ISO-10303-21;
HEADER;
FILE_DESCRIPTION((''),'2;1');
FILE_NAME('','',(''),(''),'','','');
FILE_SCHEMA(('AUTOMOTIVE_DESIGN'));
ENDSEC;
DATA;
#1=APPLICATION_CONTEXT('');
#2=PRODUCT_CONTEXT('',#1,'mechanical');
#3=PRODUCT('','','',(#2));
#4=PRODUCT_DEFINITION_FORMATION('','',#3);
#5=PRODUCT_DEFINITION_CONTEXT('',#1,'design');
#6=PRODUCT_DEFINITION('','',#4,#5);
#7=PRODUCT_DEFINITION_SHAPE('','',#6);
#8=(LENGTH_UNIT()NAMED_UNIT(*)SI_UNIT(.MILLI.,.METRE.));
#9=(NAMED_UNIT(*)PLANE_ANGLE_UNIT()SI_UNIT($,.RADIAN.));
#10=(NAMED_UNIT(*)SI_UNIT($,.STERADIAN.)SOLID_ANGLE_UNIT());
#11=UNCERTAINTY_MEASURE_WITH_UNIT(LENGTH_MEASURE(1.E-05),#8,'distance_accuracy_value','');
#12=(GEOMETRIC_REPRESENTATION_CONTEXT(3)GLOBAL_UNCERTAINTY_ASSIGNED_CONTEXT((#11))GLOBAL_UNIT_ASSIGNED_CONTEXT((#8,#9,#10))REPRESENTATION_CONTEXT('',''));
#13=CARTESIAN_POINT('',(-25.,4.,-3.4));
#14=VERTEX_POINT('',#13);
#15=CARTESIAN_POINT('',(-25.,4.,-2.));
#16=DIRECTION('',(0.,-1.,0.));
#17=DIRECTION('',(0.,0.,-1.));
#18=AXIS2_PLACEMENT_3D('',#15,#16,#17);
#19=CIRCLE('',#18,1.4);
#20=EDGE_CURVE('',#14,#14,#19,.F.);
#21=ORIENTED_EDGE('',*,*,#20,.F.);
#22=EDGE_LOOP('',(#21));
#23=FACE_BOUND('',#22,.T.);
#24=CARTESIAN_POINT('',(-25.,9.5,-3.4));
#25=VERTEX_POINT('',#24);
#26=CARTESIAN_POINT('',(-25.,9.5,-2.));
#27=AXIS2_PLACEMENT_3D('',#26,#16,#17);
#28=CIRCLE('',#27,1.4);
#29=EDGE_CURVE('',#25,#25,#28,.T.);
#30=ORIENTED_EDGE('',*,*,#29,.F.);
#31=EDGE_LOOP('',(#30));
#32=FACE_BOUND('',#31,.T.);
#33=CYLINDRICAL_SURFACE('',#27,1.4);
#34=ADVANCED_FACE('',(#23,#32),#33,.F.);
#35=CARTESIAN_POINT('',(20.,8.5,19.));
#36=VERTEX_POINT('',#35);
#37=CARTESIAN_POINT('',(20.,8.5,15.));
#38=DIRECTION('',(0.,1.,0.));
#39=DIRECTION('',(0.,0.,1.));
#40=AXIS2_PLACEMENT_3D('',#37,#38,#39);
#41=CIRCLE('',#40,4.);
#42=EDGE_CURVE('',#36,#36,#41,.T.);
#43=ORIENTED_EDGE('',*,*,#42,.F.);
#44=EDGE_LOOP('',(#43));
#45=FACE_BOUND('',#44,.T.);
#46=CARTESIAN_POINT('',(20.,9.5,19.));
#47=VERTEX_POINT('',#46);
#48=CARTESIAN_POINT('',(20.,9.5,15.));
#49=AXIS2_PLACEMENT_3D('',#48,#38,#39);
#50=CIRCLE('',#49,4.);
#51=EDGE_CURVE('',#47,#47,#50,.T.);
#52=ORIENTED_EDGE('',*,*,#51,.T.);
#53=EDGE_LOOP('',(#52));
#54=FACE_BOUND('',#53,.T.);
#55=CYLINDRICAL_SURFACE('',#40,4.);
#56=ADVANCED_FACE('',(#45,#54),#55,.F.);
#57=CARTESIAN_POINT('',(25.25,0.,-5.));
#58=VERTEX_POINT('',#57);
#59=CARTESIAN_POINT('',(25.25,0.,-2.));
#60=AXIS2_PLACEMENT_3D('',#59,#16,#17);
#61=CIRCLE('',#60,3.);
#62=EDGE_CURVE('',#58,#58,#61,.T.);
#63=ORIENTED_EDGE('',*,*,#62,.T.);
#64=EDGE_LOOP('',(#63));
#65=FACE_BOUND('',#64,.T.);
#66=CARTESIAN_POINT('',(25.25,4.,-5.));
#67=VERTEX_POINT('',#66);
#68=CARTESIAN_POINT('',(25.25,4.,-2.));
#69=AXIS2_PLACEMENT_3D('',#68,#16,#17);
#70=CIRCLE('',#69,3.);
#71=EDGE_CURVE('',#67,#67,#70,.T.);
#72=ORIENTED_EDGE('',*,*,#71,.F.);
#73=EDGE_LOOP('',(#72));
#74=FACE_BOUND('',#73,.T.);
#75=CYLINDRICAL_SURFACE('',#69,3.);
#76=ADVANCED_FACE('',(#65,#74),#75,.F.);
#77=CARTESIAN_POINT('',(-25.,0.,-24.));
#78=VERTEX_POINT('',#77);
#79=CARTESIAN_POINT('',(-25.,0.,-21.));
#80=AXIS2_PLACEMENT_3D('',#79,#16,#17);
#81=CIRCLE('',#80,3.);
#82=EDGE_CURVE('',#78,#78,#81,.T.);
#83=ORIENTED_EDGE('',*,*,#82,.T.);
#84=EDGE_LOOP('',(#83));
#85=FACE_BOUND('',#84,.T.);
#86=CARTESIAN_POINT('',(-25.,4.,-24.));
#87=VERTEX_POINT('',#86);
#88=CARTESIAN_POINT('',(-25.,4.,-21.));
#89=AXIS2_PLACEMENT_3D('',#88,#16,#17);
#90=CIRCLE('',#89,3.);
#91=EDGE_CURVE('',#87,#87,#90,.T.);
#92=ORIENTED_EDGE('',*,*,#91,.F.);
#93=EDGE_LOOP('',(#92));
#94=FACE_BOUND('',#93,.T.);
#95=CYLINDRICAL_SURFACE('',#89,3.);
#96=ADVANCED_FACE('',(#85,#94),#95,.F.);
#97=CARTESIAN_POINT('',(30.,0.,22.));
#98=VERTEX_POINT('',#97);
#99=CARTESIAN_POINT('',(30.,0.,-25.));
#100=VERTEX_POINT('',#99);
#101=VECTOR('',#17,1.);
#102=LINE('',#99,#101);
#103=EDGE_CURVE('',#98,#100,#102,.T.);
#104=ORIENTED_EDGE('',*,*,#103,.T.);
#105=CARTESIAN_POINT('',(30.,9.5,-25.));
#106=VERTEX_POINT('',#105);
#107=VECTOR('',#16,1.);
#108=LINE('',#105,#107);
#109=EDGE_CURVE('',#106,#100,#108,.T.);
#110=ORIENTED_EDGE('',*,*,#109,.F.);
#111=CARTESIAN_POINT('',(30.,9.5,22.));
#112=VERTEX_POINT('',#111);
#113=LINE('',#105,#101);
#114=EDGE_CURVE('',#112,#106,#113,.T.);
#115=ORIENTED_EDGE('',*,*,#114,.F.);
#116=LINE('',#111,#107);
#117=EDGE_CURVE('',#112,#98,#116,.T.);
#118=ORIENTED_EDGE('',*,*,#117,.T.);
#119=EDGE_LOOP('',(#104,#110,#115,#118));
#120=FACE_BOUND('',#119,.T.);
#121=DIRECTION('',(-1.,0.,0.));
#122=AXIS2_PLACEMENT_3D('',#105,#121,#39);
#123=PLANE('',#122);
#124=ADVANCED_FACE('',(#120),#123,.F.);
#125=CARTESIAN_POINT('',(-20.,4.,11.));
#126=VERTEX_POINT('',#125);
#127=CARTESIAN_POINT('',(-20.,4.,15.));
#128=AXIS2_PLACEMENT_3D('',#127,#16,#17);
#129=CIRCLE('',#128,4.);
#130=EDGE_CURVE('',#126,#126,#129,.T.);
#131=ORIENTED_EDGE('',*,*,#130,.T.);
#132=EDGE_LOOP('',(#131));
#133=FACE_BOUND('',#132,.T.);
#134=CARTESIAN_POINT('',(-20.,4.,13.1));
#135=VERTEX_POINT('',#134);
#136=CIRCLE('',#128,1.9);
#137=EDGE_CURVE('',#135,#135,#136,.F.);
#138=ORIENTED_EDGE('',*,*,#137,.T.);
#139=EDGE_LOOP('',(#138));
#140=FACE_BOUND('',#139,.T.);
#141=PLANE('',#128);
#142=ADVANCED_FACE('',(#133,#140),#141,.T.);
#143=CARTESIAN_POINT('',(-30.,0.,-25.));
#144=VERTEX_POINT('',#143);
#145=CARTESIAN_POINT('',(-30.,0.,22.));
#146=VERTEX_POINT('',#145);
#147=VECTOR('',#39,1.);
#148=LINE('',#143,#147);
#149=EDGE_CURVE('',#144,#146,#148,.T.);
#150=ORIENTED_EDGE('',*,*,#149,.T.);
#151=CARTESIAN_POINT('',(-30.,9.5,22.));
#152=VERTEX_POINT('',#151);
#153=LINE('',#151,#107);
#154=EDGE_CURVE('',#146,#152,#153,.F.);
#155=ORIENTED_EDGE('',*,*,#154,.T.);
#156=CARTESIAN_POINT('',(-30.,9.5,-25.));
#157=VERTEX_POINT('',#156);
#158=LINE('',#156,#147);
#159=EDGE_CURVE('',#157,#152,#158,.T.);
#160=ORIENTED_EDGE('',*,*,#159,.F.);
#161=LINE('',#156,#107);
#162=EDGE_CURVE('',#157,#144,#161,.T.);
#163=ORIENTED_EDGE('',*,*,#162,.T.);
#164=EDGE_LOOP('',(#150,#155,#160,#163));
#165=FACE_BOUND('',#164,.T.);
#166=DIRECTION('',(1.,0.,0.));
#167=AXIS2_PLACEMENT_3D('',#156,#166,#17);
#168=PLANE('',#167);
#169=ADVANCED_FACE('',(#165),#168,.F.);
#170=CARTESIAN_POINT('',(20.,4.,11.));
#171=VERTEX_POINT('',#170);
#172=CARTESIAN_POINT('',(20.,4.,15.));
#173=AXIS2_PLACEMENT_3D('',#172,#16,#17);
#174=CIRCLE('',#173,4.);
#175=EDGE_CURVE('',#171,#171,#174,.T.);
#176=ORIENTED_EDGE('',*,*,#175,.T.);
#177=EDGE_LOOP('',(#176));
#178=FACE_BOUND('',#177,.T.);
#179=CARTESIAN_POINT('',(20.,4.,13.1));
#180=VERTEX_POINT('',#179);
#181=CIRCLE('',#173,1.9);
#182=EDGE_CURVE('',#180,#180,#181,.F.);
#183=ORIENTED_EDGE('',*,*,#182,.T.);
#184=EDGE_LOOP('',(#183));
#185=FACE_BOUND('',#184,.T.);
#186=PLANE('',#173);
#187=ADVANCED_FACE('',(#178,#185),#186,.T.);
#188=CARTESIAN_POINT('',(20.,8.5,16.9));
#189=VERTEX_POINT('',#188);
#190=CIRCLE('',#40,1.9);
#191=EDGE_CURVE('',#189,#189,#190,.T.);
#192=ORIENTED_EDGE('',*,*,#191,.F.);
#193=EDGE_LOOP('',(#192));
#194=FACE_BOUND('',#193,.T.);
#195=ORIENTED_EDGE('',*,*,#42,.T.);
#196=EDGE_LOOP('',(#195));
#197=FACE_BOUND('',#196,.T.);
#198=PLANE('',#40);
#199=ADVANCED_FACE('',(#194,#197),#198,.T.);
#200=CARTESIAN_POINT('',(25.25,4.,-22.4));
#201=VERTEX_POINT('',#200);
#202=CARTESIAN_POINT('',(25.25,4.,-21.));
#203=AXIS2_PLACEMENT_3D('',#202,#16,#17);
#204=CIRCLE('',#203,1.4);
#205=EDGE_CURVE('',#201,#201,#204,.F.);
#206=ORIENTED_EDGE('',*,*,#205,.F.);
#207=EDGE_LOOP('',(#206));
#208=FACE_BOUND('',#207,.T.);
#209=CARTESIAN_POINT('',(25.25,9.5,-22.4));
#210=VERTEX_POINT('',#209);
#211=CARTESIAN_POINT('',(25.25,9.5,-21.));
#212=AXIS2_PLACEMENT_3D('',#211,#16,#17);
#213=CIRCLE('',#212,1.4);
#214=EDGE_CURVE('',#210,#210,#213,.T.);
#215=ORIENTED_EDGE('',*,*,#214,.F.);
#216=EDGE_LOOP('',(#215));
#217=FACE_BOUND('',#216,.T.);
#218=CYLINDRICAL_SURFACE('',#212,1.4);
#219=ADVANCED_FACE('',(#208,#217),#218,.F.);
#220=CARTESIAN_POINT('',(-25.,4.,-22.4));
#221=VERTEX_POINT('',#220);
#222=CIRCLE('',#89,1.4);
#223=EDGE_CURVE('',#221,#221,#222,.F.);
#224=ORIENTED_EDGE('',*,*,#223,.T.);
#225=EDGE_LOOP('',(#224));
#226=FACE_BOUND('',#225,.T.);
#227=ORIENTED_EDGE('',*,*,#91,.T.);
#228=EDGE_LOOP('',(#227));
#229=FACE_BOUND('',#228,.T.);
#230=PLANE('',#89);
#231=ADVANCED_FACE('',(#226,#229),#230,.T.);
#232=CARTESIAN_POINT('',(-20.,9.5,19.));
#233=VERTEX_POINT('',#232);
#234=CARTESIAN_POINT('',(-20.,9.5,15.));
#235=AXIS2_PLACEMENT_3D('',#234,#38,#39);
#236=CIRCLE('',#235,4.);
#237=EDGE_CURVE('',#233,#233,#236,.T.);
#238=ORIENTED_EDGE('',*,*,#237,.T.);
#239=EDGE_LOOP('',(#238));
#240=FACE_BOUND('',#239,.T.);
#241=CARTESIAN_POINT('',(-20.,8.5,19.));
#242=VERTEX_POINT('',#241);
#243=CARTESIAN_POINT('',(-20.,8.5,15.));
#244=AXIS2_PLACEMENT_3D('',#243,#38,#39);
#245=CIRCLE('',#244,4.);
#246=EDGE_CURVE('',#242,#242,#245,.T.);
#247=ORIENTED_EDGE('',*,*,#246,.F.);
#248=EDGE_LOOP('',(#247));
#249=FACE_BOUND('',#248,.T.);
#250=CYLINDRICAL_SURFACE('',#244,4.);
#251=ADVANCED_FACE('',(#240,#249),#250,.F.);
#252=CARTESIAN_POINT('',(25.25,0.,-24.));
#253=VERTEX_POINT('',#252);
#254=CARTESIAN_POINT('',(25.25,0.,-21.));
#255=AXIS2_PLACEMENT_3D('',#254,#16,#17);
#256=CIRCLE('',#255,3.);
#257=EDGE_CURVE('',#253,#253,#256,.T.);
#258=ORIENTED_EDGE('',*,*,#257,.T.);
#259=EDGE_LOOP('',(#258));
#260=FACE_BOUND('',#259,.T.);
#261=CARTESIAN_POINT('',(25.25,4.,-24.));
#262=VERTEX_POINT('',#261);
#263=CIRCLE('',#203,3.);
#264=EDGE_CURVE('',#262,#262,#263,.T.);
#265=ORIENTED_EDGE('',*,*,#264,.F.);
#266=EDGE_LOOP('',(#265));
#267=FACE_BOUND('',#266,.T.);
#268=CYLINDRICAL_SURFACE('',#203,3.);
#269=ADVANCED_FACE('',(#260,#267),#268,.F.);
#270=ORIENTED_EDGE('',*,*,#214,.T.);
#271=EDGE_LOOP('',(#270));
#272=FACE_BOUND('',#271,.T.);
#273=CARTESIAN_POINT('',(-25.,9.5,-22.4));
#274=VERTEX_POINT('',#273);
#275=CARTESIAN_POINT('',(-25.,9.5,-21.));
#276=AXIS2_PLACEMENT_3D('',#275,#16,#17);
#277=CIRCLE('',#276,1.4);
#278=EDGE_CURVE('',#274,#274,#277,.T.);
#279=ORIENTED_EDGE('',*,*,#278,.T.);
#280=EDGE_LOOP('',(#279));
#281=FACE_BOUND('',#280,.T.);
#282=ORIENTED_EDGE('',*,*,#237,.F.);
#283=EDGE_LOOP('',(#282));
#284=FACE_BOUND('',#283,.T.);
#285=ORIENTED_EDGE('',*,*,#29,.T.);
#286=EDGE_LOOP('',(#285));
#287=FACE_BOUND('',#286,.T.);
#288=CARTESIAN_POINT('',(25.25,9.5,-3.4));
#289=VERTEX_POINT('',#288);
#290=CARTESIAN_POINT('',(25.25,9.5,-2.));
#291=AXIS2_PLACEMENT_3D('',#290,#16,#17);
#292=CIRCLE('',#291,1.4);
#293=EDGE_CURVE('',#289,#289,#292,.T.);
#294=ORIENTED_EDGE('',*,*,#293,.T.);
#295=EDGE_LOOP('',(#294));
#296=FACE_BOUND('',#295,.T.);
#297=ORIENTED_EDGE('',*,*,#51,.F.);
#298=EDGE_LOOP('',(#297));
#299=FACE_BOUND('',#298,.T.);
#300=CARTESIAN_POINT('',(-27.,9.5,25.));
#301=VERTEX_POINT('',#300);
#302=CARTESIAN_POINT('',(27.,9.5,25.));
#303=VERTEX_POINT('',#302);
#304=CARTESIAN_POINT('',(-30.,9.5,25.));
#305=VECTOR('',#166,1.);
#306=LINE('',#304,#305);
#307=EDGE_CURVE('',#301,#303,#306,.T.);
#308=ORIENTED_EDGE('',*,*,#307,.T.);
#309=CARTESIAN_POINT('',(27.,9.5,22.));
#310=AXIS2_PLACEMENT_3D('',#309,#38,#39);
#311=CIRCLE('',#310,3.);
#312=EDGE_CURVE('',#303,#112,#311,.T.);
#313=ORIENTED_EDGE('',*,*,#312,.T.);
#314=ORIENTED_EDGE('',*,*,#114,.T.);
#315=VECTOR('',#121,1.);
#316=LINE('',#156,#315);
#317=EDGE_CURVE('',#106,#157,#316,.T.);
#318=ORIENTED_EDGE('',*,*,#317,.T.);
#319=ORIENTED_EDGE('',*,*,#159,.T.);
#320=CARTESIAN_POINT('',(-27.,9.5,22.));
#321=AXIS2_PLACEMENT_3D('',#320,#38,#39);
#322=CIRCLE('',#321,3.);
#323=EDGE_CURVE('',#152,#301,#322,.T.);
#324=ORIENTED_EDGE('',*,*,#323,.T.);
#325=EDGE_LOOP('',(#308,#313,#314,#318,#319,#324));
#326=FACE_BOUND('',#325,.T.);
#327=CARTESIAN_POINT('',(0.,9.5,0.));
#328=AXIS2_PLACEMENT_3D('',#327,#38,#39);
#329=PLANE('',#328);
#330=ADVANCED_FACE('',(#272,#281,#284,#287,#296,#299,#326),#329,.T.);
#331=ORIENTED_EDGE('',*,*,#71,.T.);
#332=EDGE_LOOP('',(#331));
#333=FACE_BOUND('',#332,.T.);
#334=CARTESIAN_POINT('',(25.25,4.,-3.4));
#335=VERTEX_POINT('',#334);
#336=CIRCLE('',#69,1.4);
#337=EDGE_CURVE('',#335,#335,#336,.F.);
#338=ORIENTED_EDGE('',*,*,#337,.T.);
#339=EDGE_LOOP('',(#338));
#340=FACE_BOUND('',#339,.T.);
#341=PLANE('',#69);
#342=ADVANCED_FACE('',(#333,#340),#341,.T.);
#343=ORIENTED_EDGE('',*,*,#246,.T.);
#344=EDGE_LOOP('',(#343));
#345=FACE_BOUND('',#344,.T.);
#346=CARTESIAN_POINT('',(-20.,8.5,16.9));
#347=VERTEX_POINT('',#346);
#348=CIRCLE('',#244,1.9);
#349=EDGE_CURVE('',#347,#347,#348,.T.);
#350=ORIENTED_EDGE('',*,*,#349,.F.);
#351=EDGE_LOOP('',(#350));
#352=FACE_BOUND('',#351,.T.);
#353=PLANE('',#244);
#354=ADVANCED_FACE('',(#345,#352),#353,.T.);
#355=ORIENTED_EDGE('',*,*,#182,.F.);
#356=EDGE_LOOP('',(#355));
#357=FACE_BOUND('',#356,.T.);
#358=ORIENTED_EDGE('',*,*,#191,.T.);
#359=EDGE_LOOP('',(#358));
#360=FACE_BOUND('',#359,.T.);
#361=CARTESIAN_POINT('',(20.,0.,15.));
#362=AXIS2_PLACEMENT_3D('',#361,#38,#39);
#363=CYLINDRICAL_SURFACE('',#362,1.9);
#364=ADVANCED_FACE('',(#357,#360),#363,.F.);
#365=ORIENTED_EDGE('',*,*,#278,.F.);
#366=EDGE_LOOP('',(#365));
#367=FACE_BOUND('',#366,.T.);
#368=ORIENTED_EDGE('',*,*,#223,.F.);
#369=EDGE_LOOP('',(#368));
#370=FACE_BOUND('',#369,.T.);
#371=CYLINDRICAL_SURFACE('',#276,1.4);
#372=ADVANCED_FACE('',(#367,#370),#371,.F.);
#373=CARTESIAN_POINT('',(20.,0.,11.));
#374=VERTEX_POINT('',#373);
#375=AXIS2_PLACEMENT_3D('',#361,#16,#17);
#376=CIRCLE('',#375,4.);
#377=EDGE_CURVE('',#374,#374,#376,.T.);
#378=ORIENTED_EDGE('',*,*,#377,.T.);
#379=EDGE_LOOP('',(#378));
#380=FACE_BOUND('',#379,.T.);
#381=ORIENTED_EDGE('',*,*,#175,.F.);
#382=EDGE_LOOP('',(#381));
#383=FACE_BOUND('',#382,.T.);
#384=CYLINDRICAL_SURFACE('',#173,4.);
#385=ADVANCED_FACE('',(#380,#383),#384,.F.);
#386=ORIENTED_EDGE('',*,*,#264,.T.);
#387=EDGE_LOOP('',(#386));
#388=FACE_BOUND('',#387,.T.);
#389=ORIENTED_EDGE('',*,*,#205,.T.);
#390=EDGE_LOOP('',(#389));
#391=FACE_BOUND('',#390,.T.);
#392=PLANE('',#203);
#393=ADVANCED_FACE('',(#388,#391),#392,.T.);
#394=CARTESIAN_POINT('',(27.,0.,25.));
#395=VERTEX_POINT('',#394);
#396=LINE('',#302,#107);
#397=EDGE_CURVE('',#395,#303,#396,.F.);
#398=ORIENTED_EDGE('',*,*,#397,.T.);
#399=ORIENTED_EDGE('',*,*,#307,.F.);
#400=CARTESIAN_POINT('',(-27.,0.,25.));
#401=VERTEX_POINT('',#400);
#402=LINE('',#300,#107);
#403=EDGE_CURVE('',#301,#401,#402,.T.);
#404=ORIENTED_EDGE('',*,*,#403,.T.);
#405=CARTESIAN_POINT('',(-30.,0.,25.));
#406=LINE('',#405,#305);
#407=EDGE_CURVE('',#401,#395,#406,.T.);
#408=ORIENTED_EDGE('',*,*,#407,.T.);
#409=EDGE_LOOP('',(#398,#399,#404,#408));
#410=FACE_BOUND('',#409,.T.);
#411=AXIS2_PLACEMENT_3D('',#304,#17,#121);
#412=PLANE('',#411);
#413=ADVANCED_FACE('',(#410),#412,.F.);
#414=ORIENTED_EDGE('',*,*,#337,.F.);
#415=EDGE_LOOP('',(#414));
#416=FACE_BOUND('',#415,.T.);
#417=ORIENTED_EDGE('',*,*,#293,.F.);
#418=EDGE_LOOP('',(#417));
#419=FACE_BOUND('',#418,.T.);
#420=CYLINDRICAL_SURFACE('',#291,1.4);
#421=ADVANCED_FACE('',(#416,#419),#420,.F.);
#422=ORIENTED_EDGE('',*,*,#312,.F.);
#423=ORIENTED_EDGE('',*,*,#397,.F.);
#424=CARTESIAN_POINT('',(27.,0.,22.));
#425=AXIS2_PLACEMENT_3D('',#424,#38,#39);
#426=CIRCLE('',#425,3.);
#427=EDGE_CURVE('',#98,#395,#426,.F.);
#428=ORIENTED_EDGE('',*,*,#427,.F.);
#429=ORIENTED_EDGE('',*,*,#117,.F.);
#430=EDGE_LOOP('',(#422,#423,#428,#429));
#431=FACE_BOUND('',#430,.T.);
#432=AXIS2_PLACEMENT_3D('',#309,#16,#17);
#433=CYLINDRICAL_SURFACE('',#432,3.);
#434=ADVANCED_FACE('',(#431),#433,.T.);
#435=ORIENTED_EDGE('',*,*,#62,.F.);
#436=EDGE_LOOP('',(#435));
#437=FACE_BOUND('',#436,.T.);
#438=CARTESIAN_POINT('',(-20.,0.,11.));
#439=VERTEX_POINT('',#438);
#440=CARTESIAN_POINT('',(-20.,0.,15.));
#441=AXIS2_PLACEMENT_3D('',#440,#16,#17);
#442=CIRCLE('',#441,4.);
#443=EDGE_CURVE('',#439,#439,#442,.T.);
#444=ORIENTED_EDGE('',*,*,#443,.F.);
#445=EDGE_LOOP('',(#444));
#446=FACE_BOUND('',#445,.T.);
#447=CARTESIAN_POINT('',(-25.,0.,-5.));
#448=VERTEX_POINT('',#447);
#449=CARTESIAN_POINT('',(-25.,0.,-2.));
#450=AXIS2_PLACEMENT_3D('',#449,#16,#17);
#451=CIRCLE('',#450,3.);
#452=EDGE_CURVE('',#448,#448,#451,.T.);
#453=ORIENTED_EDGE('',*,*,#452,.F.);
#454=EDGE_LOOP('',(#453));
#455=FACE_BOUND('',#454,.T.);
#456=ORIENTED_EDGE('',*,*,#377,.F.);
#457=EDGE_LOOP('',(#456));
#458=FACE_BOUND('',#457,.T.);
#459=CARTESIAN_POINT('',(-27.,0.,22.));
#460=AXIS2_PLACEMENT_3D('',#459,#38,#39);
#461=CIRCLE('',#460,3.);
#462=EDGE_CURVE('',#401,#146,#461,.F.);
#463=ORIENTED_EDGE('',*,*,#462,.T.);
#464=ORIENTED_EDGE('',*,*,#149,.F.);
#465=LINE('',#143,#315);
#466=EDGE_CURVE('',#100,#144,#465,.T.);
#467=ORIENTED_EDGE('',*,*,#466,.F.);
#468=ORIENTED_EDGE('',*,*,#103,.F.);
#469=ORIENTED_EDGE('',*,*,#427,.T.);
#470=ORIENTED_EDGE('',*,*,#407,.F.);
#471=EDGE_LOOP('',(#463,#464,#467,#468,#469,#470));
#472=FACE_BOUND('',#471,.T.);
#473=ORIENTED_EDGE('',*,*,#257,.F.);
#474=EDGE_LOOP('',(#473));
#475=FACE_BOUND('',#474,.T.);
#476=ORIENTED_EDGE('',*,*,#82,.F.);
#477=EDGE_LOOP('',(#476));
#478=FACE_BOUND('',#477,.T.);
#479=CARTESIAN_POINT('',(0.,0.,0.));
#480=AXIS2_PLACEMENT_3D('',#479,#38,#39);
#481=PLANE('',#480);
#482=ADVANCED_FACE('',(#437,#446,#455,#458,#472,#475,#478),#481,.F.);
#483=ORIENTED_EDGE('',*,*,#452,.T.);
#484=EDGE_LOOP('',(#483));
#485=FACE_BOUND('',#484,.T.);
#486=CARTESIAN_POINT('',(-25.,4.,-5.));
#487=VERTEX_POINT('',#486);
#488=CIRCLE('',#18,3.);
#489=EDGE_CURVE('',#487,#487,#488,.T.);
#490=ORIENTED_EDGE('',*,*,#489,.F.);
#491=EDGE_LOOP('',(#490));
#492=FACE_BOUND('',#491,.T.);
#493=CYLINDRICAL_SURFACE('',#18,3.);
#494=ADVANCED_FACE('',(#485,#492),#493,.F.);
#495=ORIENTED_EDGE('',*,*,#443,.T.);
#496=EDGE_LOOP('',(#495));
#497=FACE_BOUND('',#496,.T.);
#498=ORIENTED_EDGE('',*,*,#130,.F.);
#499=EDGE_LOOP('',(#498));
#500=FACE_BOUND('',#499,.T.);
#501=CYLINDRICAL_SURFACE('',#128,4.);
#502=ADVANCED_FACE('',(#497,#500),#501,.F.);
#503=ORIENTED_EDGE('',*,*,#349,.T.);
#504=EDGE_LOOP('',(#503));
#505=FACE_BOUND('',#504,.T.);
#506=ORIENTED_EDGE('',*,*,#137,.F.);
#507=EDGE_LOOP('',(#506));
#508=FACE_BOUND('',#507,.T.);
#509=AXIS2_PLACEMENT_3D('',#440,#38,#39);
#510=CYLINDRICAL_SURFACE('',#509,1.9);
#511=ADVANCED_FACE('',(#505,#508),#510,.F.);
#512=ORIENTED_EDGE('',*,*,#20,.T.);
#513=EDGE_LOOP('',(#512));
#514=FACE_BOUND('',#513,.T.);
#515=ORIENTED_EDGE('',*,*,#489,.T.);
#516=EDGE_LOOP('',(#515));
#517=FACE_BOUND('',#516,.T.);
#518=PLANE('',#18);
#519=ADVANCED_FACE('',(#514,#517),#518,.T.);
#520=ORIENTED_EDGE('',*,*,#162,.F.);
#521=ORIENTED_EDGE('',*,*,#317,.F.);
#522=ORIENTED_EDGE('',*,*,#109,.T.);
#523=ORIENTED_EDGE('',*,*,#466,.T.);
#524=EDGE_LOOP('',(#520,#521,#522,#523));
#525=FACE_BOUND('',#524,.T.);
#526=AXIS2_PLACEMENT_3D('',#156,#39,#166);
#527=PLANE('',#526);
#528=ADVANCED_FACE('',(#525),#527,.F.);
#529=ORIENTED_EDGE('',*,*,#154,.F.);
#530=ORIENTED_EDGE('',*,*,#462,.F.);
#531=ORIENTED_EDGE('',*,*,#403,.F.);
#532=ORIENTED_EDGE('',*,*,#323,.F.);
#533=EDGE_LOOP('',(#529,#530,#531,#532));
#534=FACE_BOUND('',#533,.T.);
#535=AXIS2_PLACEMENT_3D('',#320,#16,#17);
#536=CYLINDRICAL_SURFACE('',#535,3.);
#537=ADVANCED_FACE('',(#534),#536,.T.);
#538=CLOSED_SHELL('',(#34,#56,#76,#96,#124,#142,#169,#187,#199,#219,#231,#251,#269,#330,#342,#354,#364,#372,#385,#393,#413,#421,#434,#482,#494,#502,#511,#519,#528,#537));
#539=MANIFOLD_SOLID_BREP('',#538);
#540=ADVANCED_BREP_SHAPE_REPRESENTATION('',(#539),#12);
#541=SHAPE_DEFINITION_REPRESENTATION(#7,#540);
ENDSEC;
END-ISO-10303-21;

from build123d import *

# Parameters (mm, degrees)
SKETCH_1_W          = 60
SKETCH_1_H          = 50
EXTRUDE_1_DEPTH     = 9.5
FILLET_1_R          = 3
SKETCH_2_R          = 4
CUT_EXTRUDE_1_DEPTH = 1
SKETCH_5_R          = 1.9
CUT_EXTRUDE_3_DEPTH = 41.190172928
SKETCH_6_R          = 1.4
CUT_EXTRUDE_4_DEPTH = 41.190172928
CUT_EXTRUDE_START   = -4
SKETCH_7_R          = 4
SKETCH_7_R_2        = 3
CUT_EXTRUDE_5_DEPTH = 4


with BuildPart() as part:
    # 草图1 → 凸台-拉伸1 (new body)
    with BuildSketch(Plane(origin=(0, 0, 0), x_dir=(1, 0, 0), z_dir=(0, 1, 0))):
        Rectangle(SKETCH_1_W, SKETCH_1_H)
    extrude(amount=EXTRUDE_1_DEPTH)

    # 圆角1
    fillet_1_edges = [part.edges().sort_by_distance(p)[0] for p in [
        (30, 4.75, 25),
        (-30, 4.75, 25),
    ]]
    fillet(fillet_1_edges, radius=FILLET_1_R)

    # 草图2 → 切除-拉伸1 (cut)
    with BuildSketch(Plane(origin=(0, 9.5, 0), x_dir=(1, 0, 0), z_dir=(0, 1, 0))):
        with Locations(Location((-20, -15, 0), (0, 0, 270))):
            Circle(SKETCH_2_R)
        with Locations(Location((20, -15, 0), (0, 0, 270))):
            Circle(SKETCH_2_R)
    extrude(amount=-CUT_EXTRUDE_1_DEPTH, mode=Mode.SUBTRACT)

    # 草图5 → 切除-拉伸3 (cut, through all)
    with BuildSketch(Plane(origin=(0, 9.5, 0), x_dir=(1, 0, 0), z_dir=(0, 1, 0))):
        with Locations(Location((-20, -15, 0), (0, 0, 270))):
            Circle(SKETCH_5_R)
        with Locations(Location((20, -15, 0), (0, 0, 270))):
            Circle(SKETCH_5_R)
    extrude(amount=-CUT_EXTRUDE_3_DEPTH, mode=Mode.SUBTRACT)

    # 草图6 → 切除-拉伸4 (cut, through all)
    with BuildSketch(Plane.XZ):
        with Locations(Location((-25, -21, 0), (0, 0, 270))):
            Circle(SKETCH_6_R)
        with Locations(Location((-25, -2, 0), (0, 0, 270))):
            Circle(SKETCH_6_R)
        with Locations(Location((25.25, -21, 0), (0, 0, 270))):
            Circle(SKETCH_6_R)
        with Locations(Location((25.25, -2, 0), (0, 0, 270))):
            Circle(SKETCH_6_R)
    extrude(amount=-CUT_EXTRUDE_4_DEPTH, mode=Mode.SUBTRACT)

    # 草图7 → 切除-拉伸5 (cut)
    with BuildSketch(Plane.XZ.offset(CUT_EXTRUDE_START)):
        with Locations(Location((-20, 15, 0), (0, 0, 90))):
            Circle(SKETCH_7_R)
        with Locations(Location((20, 15, 0), (0, 0, 90))):
            Circle(SKETCH_7_R)
        with Locations(Location((25.25, -2, 0), (0, 0, 270))):
            Circle(SKETCH_7_R_2)
        with Locations(Location((25.25, -21, 0), (0, 0, 270))):
            Circle(SKETCH_7_R_2)
        with Locations(Location((-25, -21, 0), (0, 0, 270))):
            Circle(SKETCH_7_R_2)
        with Locations(Location((-25, -2, 0), (0, 0, 270))):
            Circle(SKETCH_7_R_2)
    extrude(amount=CUT_EXTRUDE_5_DEPTH, mode=Mode.SUBTRACT)


solid = part.part
